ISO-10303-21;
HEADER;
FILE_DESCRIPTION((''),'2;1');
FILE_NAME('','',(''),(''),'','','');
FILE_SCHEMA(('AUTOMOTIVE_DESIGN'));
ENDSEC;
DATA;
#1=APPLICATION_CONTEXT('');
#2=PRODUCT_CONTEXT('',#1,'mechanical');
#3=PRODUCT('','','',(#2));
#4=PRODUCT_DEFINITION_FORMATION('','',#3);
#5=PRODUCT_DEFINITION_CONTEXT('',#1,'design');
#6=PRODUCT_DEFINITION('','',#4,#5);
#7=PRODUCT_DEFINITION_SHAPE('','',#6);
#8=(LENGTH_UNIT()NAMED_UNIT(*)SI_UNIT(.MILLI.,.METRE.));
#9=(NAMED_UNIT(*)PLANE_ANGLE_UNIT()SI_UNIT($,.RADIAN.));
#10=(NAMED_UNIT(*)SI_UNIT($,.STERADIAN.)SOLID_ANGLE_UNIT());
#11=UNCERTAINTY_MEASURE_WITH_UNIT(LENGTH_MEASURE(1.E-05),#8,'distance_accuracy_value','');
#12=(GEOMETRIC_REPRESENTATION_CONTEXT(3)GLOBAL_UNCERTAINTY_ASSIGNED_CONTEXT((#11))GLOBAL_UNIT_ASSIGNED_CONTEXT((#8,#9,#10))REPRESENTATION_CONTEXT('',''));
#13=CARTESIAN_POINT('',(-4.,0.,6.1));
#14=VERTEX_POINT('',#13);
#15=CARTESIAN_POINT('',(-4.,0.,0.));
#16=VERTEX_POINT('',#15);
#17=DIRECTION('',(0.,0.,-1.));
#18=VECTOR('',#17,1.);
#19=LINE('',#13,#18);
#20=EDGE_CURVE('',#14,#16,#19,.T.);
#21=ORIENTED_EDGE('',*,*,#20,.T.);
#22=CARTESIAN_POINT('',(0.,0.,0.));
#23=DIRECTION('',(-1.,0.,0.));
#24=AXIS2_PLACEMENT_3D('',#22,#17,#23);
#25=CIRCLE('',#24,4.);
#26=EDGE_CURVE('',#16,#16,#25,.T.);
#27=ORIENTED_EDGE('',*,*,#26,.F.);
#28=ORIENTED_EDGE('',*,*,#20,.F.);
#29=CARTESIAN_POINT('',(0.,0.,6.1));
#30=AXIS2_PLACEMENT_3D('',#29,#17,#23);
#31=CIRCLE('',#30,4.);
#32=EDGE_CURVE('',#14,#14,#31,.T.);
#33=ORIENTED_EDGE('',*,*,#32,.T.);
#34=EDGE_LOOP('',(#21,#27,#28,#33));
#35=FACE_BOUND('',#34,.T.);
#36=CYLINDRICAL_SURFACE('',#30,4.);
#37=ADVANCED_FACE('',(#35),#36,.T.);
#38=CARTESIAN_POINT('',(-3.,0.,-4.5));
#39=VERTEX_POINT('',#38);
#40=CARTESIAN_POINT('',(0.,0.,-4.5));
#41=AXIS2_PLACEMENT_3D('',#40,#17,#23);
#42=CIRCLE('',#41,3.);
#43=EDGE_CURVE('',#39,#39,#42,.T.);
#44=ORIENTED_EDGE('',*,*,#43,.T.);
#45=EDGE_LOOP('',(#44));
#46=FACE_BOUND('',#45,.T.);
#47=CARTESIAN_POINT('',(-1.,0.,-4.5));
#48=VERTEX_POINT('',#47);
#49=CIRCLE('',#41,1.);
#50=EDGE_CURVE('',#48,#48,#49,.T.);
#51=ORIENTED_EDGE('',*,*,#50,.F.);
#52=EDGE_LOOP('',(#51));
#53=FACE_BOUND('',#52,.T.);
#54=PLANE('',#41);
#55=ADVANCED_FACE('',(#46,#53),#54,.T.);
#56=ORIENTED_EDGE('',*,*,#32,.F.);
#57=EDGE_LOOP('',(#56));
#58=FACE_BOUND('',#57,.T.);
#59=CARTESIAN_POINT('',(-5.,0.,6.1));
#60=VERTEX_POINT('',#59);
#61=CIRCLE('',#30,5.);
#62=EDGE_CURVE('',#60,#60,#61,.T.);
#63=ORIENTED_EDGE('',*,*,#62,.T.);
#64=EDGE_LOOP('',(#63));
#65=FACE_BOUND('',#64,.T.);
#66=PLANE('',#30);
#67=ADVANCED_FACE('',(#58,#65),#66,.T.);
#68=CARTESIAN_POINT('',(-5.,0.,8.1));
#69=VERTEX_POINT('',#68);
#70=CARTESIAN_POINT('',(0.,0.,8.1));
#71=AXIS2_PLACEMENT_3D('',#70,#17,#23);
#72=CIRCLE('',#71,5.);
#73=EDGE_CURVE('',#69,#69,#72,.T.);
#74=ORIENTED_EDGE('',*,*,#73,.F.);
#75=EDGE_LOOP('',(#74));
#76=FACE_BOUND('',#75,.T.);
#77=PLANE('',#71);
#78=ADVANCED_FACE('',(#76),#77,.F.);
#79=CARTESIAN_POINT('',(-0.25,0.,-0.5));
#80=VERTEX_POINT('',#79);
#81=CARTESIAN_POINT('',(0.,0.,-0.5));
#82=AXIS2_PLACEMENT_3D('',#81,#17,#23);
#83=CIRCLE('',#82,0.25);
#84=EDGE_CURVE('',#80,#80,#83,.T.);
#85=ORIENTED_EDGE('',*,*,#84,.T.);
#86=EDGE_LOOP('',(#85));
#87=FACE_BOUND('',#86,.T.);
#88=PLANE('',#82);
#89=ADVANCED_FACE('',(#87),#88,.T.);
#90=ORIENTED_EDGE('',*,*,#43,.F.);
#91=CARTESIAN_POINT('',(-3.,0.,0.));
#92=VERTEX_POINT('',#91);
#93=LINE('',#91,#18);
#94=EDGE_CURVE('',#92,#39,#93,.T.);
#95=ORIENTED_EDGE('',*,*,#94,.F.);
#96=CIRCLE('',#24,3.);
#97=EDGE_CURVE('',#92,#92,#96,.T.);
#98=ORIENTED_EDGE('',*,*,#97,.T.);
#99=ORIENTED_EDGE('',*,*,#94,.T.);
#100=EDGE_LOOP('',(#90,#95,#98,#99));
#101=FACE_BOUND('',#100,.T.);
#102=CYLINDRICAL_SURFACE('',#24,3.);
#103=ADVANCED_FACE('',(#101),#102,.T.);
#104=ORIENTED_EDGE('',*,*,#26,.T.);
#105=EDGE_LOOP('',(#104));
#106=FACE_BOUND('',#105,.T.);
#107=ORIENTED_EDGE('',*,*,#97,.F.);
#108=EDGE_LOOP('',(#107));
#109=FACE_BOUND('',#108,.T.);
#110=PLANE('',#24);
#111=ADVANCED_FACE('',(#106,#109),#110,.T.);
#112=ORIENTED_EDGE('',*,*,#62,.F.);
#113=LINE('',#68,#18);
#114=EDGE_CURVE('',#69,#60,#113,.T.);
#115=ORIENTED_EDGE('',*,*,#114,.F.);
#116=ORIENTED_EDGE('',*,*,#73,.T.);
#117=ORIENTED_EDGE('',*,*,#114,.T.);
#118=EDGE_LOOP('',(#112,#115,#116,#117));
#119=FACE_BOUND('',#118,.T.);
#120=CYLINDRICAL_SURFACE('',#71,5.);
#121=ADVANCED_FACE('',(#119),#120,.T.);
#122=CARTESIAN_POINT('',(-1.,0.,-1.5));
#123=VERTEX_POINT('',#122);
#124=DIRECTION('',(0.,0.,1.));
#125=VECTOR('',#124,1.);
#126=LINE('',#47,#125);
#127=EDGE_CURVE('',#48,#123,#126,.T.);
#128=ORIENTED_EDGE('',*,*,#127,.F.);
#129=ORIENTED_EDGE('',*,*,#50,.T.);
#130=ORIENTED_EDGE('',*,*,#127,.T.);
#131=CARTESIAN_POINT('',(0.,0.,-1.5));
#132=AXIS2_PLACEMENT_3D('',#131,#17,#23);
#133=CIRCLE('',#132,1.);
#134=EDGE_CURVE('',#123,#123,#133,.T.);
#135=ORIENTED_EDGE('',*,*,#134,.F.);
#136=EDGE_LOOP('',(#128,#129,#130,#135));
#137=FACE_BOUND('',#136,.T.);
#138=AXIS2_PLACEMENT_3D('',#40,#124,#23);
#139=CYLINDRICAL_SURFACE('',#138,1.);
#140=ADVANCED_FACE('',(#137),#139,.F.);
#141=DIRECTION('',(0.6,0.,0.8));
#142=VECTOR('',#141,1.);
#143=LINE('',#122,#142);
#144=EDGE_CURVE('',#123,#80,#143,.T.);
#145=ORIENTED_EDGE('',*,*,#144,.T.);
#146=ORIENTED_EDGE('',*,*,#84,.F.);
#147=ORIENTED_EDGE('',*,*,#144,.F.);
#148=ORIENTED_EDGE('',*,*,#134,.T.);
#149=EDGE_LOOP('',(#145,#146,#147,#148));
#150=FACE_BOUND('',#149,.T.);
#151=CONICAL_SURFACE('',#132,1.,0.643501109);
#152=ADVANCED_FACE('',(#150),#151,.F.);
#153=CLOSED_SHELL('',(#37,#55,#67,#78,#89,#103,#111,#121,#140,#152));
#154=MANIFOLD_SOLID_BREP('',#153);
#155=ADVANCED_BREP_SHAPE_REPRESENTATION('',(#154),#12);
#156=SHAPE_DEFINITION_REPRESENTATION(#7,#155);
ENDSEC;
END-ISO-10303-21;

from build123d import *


with BuildPart() as f1:
    # F0 (on Front) → F1 (revolve)
    with BuildSketch(Plane.XZ):
        Polygon((0, 6.1), (0, 8.1), (-5, 8.1), (-5, 6.1), (-4, 6.1), align=None)
        Polygon((0, 0), (0, 6.1), (-4, 6.1), (-4, 0), (-3, 0), align=None)
        Polygon((0, -0.5), (0, 0), (-3, 0), (-3, -4.5), (-1, -4.5), (-1, -1.5), (-0.25, -0.5), align=None)
    revolve(axis=Axis((0, 0, 3.8), (0, 0, -1)))


solid = f1.part
